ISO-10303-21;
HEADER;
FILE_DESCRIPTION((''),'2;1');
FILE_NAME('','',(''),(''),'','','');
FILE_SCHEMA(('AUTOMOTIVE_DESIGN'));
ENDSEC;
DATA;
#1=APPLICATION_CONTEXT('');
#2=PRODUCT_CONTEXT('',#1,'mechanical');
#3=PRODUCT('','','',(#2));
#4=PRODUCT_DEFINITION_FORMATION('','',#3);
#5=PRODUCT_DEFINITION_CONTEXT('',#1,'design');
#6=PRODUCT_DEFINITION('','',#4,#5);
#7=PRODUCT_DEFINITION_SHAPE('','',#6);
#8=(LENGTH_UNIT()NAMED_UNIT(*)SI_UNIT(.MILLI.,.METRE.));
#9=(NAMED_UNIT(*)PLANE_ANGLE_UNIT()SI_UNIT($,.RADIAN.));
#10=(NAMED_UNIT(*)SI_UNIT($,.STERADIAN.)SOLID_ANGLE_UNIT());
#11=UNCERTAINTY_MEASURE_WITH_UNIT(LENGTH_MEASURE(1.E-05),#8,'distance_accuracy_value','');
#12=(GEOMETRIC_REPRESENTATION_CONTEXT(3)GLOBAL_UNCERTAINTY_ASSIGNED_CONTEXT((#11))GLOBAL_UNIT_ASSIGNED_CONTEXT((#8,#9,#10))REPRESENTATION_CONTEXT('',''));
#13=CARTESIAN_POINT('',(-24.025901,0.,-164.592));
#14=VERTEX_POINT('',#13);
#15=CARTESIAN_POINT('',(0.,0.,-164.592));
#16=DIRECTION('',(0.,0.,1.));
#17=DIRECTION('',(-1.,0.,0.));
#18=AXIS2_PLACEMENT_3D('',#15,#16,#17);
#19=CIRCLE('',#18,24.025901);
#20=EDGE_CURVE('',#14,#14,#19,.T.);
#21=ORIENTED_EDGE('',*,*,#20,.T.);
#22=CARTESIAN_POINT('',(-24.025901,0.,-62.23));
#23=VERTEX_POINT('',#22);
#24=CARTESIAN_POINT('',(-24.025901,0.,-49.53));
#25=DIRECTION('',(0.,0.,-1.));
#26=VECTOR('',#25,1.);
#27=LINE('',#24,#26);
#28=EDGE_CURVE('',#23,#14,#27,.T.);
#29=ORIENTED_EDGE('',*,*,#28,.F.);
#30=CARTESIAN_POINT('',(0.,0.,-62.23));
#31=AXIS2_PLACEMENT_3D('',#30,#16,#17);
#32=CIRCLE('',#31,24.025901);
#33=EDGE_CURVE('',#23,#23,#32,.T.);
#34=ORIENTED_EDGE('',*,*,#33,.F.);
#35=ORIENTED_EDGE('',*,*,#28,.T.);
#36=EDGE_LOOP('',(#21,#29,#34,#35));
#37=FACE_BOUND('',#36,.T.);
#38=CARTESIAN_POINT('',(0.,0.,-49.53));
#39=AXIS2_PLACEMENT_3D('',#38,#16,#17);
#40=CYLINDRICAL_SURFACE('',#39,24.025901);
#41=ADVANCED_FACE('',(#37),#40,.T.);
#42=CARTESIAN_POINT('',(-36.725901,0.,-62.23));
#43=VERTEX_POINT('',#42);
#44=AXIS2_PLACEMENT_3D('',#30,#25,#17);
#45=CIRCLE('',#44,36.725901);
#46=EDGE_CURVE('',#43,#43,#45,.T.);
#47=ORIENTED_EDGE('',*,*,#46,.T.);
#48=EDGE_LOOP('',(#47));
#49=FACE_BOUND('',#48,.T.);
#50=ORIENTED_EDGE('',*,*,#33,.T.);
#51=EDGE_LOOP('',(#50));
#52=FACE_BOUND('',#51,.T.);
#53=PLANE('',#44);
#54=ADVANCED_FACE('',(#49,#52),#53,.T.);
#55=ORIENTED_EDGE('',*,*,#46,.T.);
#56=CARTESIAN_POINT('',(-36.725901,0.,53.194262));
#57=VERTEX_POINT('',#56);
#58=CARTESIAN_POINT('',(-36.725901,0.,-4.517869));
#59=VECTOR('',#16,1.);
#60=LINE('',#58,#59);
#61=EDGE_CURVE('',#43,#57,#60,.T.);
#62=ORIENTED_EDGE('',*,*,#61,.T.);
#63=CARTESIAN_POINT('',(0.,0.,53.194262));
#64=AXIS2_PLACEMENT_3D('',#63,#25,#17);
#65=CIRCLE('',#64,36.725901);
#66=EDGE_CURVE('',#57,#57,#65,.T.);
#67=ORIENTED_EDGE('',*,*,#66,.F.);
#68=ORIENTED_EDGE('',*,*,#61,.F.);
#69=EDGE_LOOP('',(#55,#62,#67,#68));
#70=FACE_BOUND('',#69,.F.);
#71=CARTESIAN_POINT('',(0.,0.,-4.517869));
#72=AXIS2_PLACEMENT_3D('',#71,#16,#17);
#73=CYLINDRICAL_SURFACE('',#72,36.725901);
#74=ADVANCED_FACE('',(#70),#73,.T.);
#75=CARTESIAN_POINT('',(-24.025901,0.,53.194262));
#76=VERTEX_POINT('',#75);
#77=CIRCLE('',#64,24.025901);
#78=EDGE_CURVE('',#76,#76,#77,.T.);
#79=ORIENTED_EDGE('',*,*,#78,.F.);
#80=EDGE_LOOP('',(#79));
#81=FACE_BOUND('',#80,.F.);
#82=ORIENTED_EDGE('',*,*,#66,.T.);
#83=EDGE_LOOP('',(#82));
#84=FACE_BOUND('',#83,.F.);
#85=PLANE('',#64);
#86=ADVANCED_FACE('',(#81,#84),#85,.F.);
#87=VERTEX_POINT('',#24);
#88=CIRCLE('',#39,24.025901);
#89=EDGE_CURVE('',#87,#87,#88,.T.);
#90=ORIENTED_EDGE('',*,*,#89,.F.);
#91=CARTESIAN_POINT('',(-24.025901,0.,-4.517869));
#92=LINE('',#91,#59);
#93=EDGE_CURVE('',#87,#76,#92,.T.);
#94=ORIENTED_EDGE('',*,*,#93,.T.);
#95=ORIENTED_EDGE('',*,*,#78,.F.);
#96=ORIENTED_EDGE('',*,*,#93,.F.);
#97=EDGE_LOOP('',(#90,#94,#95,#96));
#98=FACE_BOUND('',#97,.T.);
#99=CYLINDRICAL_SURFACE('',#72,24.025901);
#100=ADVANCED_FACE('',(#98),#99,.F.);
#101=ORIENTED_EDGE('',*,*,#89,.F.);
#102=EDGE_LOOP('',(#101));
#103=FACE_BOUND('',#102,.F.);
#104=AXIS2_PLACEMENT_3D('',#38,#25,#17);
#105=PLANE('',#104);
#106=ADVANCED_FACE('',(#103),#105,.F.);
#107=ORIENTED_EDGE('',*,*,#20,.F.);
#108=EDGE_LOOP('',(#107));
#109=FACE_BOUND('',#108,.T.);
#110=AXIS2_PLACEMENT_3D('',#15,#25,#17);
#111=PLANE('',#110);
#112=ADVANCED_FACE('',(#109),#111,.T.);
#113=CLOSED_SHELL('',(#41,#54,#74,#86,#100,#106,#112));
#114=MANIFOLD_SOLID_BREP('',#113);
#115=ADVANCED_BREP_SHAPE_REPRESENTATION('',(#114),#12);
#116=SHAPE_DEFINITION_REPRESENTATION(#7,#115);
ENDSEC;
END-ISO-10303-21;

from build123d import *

# Parameters (mm, degrees)
F0_W     = 36.7259010673
F0_H     = 115.4242623597
F2_T     = -12.7
F3_DEPTH = 115.062


with BuildPart() as f1:
    # F0 (on Front) → F1 (revolve)
    with BuildSketch(Plane.XZ):
        with Locations((-18.3629505336, -4.5178690925)):
            Rectangle(F0_W, F0_H)
    revolve(axis=Axis((0, 0, -4.5178690925), (0, 0, -1)))

    # F2
    f2_openings = [f1.faces().sort_by_distance(p)[0] for p in [
        (0, 0, 53.194262),
    ]]
    offset(amount=F2_T, openings=f2_openings)

    # F3 (add): a face of the model
    f3_faces = [f1.faces().sort_by_distance(p)[0] for p in [
        (0, 0, -49.5300002724),
    ]]
    extrude(f3_faces, amount=-F3_DEPTH)


solid = f1.part
